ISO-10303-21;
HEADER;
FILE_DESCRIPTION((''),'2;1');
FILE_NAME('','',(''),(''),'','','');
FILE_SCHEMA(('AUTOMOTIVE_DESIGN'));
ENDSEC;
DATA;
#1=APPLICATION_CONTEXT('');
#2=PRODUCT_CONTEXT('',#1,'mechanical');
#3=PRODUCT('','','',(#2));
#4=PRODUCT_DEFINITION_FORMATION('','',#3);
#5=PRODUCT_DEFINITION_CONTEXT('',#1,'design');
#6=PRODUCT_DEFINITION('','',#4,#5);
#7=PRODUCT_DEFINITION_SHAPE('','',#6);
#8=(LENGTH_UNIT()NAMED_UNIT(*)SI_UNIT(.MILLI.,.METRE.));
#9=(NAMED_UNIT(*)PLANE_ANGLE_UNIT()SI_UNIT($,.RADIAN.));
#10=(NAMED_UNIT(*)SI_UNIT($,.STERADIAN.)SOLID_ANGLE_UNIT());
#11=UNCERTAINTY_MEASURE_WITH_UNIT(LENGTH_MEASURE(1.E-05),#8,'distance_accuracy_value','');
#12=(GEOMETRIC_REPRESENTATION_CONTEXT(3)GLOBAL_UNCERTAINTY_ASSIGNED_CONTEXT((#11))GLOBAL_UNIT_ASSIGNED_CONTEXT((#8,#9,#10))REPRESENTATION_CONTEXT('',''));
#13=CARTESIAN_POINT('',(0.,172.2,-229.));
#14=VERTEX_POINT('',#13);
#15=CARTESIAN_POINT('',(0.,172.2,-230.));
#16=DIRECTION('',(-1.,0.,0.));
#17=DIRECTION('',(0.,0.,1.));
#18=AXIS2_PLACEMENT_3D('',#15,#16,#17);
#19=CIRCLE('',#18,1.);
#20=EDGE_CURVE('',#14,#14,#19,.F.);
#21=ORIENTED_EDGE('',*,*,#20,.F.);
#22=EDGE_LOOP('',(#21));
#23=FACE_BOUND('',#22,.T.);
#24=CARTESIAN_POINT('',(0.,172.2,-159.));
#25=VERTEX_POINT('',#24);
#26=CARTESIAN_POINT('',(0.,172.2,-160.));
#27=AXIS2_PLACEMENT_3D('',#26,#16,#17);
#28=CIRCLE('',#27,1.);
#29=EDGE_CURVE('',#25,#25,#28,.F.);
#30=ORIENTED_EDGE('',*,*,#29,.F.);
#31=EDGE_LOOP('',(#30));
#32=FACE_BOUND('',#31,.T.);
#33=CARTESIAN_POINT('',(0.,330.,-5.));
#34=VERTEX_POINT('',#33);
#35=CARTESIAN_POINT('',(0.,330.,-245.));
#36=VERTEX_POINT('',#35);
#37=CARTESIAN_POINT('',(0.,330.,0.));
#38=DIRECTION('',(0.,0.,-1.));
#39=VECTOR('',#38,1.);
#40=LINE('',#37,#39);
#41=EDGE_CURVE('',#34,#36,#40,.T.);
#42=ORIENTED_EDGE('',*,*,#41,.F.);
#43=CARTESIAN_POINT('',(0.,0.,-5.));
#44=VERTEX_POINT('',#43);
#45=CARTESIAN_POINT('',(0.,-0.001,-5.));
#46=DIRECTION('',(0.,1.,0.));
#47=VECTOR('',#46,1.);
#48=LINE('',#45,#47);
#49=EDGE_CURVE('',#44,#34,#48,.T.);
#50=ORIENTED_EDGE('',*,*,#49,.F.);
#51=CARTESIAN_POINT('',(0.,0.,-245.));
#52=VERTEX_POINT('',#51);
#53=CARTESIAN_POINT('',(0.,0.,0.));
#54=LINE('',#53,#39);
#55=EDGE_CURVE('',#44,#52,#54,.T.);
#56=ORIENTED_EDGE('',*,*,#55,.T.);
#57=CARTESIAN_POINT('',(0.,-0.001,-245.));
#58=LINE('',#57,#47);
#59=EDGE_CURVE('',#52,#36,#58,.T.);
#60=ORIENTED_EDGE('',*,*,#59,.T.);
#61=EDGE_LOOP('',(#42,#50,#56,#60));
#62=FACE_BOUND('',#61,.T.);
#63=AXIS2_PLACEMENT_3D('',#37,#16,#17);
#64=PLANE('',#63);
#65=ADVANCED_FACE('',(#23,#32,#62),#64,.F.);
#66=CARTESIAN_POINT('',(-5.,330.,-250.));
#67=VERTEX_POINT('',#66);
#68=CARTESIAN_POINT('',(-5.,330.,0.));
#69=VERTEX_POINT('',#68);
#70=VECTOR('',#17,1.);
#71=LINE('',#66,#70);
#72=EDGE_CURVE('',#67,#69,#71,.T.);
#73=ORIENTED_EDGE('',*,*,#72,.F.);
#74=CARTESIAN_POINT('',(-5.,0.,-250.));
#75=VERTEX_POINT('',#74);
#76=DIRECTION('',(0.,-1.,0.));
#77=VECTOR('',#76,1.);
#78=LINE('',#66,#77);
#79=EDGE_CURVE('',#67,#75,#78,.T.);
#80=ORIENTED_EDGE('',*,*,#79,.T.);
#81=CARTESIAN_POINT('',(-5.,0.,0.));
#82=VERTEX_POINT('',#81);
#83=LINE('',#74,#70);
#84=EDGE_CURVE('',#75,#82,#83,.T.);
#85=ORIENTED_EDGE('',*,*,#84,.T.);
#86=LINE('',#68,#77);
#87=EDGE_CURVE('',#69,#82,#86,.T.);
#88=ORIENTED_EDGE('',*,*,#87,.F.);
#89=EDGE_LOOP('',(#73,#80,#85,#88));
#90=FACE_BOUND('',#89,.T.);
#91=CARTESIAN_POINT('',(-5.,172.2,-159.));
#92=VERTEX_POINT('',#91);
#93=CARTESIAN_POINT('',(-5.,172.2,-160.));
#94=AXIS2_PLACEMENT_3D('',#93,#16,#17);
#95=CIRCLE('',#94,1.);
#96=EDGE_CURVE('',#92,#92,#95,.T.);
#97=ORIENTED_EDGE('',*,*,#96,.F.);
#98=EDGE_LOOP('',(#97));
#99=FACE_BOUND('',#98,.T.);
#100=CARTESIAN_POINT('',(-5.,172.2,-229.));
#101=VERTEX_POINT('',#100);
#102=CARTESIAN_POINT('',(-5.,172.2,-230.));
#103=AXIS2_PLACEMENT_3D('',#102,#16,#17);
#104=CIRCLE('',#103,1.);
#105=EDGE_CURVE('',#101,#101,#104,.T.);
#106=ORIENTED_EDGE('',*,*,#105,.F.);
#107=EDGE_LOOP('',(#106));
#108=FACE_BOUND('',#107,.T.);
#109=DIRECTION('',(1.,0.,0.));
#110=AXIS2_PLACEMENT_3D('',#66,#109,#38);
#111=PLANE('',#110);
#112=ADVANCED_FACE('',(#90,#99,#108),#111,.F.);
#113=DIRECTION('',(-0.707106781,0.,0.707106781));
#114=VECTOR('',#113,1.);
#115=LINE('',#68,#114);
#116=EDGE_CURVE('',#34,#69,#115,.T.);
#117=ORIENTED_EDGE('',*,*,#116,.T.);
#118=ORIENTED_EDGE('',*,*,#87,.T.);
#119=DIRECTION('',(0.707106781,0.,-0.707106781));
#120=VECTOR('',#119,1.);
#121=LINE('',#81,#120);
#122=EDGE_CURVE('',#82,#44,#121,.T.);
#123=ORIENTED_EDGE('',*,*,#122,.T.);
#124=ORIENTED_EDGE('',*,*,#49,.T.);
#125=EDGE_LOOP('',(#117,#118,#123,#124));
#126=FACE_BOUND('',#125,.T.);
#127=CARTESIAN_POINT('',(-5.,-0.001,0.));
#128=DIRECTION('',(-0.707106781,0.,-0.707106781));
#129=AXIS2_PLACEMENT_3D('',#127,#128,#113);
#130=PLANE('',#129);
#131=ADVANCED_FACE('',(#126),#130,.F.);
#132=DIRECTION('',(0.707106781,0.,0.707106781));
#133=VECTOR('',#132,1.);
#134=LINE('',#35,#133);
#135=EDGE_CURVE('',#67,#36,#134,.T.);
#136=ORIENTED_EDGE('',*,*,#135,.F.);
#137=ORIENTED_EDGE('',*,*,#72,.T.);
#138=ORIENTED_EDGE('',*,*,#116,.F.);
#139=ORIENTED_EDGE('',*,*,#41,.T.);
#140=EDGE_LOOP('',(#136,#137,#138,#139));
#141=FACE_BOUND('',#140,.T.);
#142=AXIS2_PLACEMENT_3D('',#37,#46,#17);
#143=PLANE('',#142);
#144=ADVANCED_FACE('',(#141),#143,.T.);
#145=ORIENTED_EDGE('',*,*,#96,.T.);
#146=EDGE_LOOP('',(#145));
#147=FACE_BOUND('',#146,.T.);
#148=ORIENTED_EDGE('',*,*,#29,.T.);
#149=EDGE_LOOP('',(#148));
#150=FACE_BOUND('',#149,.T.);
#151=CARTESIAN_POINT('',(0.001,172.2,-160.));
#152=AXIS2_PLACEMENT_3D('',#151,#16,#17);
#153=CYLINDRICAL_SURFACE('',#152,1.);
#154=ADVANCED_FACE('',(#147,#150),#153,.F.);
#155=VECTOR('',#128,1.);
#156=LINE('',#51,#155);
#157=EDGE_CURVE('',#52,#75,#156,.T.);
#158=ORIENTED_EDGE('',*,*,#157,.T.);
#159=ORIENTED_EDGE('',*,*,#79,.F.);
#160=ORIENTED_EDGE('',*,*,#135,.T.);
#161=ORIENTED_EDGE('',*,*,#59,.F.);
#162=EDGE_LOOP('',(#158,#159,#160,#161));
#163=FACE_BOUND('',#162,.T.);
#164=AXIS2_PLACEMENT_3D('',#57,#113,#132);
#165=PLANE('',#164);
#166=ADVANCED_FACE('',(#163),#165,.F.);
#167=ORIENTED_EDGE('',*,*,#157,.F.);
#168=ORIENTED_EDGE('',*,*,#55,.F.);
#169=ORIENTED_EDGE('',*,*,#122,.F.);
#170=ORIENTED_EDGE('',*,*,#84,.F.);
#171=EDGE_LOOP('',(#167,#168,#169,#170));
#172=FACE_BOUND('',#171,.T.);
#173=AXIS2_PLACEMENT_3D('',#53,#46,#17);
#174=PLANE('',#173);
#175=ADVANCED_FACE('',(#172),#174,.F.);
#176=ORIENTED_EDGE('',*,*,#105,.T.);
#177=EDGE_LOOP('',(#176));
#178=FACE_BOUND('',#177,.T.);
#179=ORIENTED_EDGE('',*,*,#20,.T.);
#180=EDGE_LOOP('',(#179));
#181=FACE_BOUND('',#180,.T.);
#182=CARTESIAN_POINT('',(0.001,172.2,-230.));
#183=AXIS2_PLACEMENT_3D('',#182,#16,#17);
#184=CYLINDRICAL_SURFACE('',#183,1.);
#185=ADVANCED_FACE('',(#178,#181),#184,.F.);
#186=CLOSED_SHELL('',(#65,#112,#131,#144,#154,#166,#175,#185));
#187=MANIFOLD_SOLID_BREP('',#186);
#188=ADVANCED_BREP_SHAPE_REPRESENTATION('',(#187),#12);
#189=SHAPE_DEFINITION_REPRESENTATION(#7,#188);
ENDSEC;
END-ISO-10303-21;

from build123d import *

# Parameters (mm, degrees)
CROQUIS1_W              = 5
CROQUIS1_H              = 250
SALIENTE_EXTRUIR1_DEPTH = 330
CORTAR_EXTRUIR1_REACH   = 416.035
CORTAR_EXTRUIR2_REACH   = 416.035
CROQUIS6_R              = 1


with BuildPart() as part:
    # Croquis1 → Saliente-Extruir1 (new body)
    with BuildSketch(Plane(origin=(0, 0, 0), x_dir=(1, 0, 0), z_dir=(0, 1, 0))):
        with Locations((-2.5, 125)):
            Rectangle(CROQUIS1_W, CROQUIS1_H)
    extrude(amount=SALIENTE_EXTRUIR1_DEPTH)

    # Croquis2 → Cortar-Extruir1 (cut, up to next)
    with BuildSketch(Plane(origin=(0, 330, 0), x_dir=(1, 0, 0), z_dir=(0, 1, 0)), mode=Mode.PRIVATE) as cortar_extruir1_sk1:
        Polygon((0, 250), (0, 245), (-5, 250), align=None)
    cortar_extruir1_tool1 = extrude(cortar_extruir1_sk1.sketch, amount=-CORTAR_EXTRUIR1_REACH, mode=Mode.PRIVATE) & part.part
    # Croquis2 → Cortar-Extruir1 (cut, up to next)
    with BuildSketch(Plane(origin=(0, 330, 0), x_dir=(1, 0, 0), z_dir=(0, 1, 0)), mode=Mode.PRIVATE) as cortar_extruir1_sk2:
        Polygon((-5, 0), (0, 5), (0, 0), align=None)
    cortar_extruir1_tool2 = extrude(cortar_extruir1_sk2.sketch, amount=-CORTAR_EXTRUIR1_REACH, mode=Mode.PRIVATE) & part.part
    add(cortar_extruir1_tool1.solids().sort_by_distance((-1.666667, 330, -248.333333))[0], mode=Mode.SUBTRACT)
    add(cortar_extruir1_tool2.solids().sort_by_distance((-1.666667, 330, -1.666667))[0], mode=Mode.SUBTRACT)

    # Croquis6 → Cortar-Extruir2 (cut, up to next)
    with BuildSketch(Plane.ZY.offset(5), mode=Mode.PRIVATE) as cortar_extruir2_sk1:
        with Locations((-230, 172.2)):
            Circle(CROQUIS6_R)
    cortar_extruir2_tool1 = extrude(cortar_extruir2_sk1.sketch, amount=-CORTAR_EXTRUIR2_REACH, mode=Mode.PRIVATE) & part.part
    # Croquis6 → Cortar-Extruir2 (cut, up to next)
    with BuildSketch(Plane.ZY.offset(5), mode=Mode.PRIVATE) as cortar_extruir2_sk2:
        with Locations((-160, 172.2)):
            Circle(CROQUIS6_R)
    cortar_extruir2_tool2 = extrude(cortar_extruir2_sk2.sketch, amount=-CORTAR_EXTRUIR2_REACH, mode=Mode.PRIVATE) & part.part
    add(cortar_extruir2_tool1.solids().sort_by_distance((-5, 172.2, -230))[0], mode=Mode.SUBTRACT)
    add(cortar_extruir2_tool2.solids().sort_by_distance((-5, 172.2, -160))[0], mode=Mode.SUBTRACT)


solid = part.part
